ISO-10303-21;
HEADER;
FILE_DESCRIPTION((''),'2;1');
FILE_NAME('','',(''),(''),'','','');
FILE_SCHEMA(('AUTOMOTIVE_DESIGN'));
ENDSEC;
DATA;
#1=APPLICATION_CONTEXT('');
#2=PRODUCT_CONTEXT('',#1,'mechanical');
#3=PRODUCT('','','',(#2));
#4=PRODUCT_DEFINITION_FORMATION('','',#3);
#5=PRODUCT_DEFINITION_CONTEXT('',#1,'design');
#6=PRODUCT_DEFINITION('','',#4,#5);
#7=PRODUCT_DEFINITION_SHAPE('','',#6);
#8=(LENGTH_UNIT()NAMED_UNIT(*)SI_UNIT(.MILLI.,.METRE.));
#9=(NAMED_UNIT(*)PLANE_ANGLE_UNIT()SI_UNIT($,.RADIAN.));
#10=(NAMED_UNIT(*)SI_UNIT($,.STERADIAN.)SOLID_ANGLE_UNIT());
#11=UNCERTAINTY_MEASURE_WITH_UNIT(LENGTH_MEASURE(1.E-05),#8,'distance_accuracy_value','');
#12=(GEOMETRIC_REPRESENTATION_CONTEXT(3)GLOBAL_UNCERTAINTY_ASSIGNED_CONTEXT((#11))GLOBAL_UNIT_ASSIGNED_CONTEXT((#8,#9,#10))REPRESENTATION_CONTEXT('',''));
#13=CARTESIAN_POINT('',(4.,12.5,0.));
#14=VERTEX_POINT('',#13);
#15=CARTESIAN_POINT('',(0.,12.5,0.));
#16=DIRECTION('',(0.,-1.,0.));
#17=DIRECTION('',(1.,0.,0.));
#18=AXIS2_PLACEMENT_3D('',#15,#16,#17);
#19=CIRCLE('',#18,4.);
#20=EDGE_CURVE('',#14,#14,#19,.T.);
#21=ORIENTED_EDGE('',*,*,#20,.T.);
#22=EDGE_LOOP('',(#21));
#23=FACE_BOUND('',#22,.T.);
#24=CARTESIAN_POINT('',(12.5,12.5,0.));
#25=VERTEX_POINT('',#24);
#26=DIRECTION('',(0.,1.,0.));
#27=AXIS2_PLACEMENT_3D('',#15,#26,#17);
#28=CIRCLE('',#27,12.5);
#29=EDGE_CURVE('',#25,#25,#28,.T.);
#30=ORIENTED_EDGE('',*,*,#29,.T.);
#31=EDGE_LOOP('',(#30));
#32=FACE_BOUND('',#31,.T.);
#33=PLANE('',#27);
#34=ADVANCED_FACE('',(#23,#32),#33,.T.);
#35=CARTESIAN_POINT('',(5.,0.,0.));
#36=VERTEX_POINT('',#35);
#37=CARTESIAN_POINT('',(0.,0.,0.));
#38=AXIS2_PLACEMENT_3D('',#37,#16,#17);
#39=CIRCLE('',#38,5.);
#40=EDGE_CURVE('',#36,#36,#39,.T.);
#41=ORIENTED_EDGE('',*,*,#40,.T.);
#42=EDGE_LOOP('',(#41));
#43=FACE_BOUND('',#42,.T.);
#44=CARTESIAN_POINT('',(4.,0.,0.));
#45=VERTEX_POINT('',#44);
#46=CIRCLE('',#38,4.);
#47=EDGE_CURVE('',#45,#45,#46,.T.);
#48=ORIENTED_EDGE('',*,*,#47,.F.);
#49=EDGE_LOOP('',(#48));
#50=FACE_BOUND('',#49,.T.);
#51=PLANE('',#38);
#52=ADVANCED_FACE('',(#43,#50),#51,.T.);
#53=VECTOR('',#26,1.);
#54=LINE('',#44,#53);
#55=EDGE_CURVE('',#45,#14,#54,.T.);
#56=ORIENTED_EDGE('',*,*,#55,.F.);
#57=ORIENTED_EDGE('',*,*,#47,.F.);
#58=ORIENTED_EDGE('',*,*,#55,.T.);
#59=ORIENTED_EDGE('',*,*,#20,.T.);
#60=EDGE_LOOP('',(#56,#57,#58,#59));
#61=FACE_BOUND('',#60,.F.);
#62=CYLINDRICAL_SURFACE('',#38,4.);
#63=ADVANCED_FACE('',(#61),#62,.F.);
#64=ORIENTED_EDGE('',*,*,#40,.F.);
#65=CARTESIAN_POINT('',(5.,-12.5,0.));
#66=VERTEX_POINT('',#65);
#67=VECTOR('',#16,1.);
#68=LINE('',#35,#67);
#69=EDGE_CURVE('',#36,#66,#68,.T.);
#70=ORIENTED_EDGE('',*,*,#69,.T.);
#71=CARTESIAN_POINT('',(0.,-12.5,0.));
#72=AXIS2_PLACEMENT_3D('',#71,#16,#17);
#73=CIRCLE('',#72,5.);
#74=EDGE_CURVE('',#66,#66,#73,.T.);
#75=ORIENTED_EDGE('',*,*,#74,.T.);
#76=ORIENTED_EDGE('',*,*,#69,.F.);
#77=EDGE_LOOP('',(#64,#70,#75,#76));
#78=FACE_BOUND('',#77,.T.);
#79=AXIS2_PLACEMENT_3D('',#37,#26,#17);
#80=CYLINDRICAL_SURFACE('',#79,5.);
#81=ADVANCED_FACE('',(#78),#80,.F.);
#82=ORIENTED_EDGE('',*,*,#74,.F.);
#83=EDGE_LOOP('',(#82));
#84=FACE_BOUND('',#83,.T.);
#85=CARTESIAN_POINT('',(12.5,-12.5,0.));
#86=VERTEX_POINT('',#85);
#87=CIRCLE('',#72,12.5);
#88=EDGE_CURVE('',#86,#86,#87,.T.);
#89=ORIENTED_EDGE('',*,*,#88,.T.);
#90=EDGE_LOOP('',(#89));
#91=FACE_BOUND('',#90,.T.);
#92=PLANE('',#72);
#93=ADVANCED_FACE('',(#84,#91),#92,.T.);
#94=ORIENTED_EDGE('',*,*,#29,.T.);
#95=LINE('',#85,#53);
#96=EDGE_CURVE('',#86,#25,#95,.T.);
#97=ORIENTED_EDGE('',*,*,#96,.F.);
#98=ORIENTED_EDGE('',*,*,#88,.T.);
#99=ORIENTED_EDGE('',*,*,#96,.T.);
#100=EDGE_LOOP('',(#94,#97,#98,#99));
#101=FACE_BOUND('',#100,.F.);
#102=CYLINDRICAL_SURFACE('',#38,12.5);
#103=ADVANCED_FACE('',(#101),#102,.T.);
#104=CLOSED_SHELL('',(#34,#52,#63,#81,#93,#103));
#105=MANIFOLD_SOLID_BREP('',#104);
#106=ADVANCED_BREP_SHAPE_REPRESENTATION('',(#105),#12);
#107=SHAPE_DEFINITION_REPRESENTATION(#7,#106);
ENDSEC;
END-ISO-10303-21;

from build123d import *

# Parameters (mm, degrees)
F0_R        = 12.5
F0_R_2      = 5
F1_DEPTH    = 12.5
F1_FACE_R   = 12.5
F1_FACE_R_2 = 5
F0_R_3      = 4
F2_DEPTH    = 12.5


with BuildPart() as f1:
    # F0 (on Front) → F1 (new body)
    with BuildSketch(Plane.XZ):
        Circle(F0_R)
        Circle(F0_R_2, mode=Mode.SUBTRACT)
    extrude(amount=F1_DEPTH)

    # F1_face (on face) + F0 (on Front) → F2 (join)
    with BuildSketch(Plane(origin=(0, 0, 0), x_dir=(1, 0, 0), z_dir=(0, 1, 0))):
        Circle(F1_FACE_R)
        Circle(F1_FACE_R_2, mode=Mode.SUBTRACT)
    with BuildSketch(Plane.XZ):
        Circle(F0_R_2)
        Circle(F0_R_3, mode=Mode.SUBTRACT)
    extrude(amount=F2_DEPTH, dir=(0, 1, 0))


solid = f1.part
